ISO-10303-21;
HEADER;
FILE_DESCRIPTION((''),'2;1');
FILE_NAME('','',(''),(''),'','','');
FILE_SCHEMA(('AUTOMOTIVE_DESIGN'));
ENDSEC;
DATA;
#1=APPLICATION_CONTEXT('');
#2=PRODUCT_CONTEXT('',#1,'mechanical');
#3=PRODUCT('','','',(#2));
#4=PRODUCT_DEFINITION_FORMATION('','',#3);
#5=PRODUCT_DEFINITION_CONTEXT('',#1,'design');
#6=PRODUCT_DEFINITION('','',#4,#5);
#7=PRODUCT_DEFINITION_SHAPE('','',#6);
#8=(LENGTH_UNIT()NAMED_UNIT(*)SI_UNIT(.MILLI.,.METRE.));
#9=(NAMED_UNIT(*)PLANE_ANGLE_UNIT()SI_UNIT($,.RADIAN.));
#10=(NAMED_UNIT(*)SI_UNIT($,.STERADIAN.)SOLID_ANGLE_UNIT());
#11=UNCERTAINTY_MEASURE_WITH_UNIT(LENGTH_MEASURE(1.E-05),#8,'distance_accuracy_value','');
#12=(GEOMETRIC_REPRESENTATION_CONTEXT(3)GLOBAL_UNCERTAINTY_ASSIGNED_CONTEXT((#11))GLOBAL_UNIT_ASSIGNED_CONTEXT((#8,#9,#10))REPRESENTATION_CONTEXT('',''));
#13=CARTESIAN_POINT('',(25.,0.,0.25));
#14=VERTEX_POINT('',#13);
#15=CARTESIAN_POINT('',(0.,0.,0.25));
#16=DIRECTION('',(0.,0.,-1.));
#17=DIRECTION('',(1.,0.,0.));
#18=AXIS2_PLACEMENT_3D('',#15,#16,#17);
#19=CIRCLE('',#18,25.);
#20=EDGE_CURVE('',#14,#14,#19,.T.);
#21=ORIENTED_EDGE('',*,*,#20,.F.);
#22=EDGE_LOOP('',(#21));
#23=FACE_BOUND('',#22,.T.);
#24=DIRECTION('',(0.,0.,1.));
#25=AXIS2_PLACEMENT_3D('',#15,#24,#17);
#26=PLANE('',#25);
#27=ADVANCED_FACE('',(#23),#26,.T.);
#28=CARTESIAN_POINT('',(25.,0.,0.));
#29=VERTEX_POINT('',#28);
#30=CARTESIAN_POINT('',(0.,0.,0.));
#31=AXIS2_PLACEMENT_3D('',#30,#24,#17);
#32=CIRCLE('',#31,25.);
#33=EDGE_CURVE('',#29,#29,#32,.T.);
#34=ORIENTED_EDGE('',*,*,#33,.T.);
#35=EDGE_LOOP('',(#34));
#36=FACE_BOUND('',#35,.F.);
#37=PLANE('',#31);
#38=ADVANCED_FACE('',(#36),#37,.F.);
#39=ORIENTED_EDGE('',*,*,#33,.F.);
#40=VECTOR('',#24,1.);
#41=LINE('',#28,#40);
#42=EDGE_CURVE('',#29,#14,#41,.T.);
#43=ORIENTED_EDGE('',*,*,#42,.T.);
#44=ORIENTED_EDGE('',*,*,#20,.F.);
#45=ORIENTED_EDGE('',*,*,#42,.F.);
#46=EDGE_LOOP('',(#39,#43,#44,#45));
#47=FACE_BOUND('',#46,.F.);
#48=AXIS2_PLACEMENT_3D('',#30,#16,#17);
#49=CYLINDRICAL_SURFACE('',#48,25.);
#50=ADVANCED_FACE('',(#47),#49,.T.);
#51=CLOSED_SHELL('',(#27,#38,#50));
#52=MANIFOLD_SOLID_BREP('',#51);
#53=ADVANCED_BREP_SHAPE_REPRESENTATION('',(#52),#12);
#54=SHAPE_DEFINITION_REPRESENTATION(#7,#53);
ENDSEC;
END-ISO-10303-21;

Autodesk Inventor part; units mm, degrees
ref_plane "YZ Plane" through (0, 0, 0) normal (1, 0, 0) x (0, 1, 0)
ref_plane "XZ Plane" through (0, 0, 0) normal (0, 1, 0) x (-1, 0, 0)
ref_plane "XY Plane" through (0, 0, 0) normal (0, 0, 1) x (1, 0, 0)
sketch "Skizze1" plane through (0, 0, 0) normal (0, 0, 1) x (1, 0, 0)
  line L0 (0, 35) -> (0, -35) projected
  line L1 (-35, 0) -> (35, 0) projected
  circle A0 centre (0, 0) radius 25
  dimension "d4" = 50
extrude "Extrusion1" add sketch "Skizze1" along normal blind 0.25
properties part number "Papier 50mm"
